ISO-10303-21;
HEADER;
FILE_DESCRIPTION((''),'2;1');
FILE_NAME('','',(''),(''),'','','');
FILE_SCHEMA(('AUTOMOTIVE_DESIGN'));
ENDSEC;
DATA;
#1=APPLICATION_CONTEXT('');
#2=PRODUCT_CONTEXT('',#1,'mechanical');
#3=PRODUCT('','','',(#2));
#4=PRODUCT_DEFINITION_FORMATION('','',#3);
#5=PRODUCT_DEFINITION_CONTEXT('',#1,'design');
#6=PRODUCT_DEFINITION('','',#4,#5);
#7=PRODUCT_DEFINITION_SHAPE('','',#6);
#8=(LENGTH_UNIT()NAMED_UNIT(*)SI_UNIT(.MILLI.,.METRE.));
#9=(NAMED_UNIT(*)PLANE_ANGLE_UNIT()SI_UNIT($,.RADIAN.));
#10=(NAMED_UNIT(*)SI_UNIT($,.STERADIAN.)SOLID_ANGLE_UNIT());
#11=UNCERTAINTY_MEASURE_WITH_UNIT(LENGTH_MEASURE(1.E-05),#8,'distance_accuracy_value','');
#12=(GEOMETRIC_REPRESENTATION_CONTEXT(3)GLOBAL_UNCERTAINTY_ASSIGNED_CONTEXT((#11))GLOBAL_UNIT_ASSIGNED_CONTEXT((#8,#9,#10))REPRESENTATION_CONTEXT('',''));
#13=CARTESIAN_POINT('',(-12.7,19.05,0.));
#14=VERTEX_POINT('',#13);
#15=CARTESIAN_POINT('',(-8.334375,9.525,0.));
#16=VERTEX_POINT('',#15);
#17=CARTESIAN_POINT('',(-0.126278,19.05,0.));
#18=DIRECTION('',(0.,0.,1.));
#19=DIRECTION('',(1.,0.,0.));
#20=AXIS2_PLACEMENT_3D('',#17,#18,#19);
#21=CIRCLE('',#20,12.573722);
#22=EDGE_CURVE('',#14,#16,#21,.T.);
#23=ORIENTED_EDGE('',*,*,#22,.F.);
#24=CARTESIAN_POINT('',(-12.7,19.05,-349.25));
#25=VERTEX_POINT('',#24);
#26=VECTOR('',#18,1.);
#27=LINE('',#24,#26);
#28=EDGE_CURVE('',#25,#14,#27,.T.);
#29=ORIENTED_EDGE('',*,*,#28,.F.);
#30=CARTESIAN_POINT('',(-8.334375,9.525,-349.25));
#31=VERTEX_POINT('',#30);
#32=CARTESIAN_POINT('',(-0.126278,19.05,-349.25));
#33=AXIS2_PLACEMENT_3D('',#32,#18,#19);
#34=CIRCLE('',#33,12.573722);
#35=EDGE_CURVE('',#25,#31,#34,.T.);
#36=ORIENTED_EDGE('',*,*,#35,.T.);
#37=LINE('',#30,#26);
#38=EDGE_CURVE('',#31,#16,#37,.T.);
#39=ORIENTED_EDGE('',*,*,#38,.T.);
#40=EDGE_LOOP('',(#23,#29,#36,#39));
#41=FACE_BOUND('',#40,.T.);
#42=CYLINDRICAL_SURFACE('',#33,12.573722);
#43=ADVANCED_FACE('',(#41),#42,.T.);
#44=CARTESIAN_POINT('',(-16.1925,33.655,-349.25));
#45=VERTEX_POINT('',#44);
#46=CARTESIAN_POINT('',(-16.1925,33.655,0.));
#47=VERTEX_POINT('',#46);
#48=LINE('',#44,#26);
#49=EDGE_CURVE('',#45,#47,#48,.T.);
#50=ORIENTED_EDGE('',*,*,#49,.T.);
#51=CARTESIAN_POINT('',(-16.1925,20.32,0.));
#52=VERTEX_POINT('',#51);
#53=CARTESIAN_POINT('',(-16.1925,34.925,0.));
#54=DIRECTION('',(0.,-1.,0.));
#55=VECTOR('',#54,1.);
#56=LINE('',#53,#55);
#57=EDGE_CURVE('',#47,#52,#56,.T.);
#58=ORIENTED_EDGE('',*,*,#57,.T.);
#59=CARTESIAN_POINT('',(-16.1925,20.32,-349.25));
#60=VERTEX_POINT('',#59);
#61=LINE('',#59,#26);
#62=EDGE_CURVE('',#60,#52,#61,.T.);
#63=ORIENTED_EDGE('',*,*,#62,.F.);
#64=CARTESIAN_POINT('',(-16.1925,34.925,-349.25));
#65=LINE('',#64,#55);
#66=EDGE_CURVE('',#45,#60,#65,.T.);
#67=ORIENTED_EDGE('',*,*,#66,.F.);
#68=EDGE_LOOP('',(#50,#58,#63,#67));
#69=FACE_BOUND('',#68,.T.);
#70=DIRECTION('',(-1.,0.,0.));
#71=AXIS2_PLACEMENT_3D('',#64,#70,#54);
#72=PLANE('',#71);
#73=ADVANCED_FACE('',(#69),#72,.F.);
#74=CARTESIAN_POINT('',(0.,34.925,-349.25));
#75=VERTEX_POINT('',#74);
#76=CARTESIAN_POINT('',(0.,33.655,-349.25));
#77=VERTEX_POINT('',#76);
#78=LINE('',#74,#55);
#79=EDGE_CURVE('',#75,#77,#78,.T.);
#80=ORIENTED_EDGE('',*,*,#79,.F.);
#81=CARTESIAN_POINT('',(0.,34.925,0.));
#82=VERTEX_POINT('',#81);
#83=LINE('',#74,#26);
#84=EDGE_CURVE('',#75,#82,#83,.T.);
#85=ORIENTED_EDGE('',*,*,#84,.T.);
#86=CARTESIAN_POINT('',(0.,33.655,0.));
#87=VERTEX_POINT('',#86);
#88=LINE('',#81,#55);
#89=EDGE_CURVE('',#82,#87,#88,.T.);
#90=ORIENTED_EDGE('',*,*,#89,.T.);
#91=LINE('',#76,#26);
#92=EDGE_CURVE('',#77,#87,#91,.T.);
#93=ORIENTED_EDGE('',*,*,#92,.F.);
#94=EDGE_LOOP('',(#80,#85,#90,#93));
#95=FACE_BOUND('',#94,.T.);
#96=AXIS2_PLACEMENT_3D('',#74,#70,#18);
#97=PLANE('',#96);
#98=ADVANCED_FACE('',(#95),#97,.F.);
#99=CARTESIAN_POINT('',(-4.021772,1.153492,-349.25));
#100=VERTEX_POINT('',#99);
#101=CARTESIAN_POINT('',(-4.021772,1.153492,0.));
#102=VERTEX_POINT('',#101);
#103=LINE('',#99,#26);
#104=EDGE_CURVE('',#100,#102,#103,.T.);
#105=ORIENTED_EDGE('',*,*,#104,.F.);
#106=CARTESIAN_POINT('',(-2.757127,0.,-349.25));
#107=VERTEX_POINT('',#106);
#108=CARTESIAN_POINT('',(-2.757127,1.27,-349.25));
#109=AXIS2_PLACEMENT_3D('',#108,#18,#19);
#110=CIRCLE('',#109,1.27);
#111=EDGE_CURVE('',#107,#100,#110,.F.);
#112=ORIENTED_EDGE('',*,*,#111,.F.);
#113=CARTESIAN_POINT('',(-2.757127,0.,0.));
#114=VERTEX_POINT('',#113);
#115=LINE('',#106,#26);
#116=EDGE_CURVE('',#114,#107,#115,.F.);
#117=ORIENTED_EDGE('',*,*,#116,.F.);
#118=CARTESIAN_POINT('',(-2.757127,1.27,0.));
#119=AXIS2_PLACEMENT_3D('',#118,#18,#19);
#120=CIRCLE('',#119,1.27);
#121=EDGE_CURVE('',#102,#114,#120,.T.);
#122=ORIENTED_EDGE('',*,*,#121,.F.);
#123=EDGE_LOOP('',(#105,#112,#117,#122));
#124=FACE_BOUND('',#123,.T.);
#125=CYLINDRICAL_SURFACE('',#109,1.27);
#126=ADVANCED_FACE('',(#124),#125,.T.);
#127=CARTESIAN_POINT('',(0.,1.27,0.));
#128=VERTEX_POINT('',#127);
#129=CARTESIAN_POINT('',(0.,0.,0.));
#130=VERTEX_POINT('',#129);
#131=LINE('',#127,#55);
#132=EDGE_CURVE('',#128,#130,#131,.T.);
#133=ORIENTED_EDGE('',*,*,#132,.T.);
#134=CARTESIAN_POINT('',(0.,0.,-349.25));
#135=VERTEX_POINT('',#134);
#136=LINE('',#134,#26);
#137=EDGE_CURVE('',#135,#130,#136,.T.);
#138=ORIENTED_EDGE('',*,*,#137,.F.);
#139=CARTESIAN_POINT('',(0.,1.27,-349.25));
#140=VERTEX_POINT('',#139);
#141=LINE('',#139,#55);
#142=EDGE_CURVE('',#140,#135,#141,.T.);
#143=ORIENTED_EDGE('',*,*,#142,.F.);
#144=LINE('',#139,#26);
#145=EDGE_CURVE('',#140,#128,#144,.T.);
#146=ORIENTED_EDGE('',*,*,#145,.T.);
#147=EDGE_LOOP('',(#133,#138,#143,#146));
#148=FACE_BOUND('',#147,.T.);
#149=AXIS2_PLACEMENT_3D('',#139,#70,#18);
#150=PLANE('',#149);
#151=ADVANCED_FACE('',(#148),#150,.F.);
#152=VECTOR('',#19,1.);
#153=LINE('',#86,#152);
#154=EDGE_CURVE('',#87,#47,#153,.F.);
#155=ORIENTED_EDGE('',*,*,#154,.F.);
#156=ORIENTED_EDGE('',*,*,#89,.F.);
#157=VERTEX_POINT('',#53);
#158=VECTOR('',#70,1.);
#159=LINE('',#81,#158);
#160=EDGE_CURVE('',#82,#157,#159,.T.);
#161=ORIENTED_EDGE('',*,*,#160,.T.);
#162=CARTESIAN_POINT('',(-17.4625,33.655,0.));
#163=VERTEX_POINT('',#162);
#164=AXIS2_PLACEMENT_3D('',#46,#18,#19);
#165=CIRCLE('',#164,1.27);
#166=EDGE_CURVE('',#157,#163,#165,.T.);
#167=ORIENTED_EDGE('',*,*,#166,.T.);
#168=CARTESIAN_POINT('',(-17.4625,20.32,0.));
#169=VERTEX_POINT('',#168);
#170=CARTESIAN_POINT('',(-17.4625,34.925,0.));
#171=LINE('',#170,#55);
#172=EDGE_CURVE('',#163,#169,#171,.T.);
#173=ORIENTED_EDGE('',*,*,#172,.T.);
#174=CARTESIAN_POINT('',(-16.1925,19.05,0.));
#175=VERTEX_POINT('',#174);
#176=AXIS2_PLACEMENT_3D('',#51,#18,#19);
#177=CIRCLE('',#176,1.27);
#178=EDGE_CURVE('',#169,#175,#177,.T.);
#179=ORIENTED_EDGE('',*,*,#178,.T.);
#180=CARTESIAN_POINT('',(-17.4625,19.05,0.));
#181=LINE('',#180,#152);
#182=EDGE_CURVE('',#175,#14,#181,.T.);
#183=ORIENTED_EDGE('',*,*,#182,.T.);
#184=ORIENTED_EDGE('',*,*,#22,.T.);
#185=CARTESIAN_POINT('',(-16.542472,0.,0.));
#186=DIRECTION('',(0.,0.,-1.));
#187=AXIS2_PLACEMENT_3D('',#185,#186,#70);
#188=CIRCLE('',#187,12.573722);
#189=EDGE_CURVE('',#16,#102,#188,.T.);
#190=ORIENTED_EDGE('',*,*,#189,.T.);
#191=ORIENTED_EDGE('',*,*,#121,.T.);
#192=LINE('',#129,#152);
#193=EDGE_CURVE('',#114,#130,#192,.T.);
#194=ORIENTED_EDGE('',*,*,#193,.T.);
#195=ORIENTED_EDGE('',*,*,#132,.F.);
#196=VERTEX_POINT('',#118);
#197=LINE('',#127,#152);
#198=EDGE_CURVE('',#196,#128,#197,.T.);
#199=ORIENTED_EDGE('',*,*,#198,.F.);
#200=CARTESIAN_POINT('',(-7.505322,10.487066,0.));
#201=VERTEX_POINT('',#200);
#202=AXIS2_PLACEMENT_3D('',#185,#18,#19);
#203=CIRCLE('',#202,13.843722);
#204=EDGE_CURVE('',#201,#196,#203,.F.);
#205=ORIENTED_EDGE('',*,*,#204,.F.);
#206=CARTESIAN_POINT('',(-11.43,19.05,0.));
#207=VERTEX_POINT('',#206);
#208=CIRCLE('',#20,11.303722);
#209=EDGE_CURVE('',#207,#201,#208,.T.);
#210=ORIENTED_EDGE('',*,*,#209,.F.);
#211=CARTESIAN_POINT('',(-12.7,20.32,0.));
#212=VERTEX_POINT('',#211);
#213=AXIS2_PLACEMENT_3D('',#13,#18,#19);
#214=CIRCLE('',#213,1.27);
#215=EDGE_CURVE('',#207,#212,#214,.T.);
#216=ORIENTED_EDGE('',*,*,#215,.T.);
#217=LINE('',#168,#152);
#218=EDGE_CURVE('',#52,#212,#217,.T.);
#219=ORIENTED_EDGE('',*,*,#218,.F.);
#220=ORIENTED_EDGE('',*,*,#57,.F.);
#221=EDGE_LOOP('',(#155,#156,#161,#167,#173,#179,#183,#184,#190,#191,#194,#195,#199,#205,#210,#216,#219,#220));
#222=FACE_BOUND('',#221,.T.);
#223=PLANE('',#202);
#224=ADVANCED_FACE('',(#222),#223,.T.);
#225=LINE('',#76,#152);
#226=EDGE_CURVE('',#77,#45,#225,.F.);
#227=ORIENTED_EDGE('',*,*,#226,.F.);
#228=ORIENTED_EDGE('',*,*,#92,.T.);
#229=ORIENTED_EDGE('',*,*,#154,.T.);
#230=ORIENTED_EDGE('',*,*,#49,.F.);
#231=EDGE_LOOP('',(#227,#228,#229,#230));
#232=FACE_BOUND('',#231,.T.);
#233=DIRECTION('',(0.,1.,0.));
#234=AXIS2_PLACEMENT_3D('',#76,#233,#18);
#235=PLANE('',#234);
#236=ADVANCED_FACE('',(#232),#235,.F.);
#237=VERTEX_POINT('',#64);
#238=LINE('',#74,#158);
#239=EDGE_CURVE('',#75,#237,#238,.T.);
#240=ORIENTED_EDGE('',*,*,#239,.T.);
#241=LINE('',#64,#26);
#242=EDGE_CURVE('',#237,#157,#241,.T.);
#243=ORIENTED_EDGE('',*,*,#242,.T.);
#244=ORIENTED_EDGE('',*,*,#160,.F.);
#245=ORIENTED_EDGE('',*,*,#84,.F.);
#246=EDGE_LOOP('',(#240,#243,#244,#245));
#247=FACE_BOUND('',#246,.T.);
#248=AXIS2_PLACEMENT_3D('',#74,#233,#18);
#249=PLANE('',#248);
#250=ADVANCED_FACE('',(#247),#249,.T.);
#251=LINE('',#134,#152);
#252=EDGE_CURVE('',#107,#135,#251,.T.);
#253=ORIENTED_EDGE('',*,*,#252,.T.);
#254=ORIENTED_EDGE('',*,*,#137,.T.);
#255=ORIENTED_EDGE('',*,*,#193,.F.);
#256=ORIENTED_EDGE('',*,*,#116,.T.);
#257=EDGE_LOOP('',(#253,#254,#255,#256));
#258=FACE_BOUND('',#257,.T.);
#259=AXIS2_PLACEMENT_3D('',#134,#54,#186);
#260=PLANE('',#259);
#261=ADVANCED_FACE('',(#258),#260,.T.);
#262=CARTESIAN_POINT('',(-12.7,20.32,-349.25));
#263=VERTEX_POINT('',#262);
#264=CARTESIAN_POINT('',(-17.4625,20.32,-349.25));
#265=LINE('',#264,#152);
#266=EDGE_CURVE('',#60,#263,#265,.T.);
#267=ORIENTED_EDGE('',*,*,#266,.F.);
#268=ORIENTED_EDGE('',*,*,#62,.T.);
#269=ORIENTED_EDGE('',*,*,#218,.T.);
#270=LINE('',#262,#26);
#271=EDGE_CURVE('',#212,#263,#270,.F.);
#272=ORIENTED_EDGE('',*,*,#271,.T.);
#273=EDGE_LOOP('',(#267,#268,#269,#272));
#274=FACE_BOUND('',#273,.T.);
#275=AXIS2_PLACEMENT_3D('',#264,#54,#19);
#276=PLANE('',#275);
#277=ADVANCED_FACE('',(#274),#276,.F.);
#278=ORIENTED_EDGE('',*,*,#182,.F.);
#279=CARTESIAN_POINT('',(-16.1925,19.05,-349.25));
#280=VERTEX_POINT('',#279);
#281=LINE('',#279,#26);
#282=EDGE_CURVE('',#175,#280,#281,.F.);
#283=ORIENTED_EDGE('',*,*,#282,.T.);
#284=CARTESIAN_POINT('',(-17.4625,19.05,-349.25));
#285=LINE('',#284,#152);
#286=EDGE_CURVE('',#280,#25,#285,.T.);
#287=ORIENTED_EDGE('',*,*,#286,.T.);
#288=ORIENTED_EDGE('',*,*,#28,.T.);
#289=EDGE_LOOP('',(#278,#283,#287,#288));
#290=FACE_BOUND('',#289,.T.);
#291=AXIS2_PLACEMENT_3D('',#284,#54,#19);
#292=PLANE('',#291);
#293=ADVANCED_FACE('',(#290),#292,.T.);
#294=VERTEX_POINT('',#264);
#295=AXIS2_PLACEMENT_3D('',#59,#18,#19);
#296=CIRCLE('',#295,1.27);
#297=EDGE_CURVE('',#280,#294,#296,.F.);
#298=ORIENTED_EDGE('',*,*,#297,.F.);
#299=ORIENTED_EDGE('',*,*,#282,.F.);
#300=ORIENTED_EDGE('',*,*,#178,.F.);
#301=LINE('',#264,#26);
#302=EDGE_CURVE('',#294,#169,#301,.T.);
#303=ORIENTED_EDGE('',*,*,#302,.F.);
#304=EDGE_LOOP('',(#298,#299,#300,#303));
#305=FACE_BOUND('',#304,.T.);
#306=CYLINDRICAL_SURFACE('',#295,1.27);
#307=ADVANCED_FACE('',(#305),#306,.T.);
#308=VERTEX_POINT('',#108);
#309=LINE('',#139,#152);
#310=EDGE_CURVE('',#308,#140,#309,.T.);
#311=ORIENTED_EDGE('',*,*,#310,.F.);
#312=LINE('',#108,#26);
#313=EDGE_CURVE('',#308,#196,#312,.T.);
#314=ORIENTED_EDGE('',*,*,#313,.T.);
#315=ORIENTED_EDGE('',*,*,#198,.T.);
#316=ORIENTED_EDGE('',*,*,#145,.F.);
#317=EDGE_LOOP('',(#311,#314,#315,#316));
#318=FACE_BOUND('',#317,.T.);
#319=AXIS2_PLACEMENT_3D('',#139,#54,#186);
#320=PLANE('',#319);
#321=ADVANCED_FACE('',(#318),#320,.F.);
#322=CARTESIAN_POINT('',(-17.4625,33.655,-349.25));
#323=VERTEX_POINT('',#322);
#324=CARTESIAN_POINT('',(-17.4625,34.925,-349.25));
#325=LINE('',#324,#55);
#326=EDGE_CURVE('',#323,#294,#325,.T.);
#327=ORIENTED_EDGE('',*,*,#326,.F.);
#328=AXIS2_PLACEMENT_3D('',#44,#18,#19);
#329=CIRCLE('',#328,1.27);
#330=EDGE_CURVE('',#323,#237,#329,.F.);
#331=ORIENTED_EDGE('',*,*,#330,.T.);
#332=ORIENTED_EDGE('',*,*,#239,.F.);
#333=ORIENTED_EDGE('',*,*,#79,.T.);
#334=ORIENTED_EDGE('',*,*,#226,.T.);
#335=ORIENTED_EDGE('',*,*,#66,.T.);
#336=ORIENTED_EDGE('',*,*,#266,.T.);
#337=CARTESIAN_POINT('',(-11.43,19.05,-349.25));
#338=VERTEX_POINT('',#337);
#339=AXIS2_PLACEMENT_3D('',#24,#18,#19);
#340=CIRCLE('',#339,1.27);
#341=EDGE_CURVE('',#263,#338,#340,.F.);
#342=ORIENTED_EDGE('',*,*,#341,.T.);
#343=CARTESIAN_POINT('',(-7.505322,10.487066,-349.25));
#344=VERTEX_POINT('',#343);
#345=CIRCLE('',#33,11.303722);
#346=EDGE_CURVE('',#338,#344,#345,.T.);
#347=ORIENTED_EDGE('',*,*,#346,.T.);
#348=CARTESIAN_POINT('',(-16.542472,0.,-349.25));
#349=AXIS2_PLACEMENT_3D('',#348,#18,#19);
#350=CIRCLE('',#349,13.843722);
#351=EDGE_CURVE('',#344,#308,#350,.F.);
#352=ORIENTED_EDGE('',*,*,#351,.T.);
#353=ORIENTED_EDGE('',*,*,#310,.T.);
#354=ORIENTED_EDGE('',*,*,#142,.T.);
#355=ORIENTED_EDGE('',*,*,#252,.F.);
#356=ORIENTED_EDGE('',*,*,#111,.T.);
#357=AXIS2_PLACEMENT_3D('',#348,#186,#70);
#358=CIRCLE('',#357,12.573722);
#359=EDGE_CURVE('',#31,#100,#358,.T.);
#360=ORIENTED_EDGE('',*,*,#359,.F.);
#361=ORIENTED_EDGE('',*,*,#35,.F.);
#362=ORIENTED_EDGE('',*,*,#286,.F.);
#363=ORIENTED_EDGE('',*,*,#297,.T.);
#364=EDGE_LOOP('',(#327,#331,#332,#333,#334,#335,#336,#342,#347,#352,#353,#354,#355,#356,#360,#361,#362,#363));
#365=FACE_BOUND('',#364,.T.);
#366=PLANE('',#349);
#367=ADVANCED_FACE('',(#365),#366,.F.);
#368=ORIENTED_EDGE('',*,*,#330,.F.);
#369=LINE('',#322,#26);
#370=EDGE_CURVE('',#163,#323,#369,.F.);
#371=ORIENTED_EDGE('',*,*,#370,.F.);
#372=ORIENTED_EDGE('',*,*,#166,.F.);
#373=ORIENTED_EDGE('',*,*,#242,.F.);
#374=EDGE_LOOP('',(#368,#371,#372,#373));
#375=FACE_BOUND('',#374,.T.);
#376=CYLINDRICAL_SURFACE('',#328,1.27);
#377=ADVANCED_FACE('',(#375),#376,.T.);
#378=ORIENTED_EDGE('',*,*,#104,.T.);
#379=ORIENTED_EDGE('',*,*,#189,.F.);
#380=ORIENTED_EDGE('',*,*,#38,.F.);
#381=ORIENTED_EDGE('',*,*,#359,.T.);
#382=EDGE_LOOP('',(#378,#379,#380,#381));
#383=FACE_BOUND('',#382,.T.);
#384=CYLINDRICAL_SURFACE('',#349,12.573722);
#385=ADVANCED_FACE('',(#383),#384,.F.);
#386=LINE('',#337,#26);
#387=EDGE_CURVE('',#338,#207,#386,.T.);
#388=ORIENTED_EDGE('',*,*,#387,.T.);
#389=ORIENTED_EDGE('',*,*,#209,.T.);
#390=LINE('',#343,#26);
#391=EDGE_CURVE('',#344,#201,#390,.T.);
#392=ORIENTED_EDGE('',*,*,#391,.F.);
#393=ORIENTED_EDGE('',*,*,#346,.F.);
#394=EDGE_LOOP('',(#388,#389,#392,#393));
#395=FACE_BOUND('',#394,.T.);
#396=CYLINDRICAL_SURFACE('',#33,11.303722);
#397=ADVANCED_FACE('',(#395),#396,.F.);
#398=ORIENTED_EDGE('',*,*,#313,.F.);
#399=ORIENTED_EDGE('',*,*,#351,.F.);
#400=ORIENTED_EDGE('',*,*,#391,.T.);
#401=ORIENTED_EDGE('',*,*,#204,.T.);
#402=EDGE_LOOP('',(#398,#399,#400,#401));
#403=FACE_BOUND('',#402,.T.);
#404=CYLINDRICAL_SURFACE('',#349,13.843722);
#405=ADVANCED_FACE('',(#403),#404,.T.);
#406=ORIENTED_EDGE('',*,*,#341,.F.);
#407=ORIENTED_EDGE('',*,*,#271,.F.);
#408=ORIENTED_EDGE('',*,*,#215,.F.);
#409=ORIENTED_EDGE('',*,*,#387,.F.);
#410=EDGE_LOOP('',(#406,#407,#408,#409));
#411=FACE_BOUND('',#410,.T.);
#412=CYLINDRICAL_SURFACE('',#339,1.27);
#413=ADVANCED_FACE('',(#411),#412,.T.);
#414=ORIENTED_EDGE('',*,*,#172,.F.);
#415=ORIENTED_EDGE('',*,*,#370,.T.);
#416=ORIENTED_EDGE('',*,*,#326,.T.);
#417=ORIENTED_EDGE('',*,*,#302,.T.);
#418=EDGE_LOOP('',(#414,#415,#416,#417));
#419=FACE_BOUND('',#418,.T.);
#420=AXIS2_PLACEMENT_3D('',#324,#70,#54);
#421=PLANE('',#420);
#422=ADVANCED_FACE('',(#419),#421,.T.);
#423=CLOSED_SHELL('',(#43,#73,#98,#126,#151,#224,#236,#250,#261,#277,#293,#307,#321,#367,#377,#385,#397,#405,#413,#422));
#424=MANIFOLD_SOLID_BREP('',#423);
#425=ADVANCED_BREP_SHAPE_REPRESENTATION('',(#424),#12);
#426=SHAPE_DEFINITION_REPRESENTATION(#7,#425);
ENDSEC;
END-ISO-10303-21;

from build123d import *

# Parameters (mm, degrees)
EXTRUDE_THIN1_DEPTH = 349.25
FILLET1_R           = 1.27


with BuildPart() as part:
    # Sketch1 → Extrude-Thin1 (new body)
    with BuildSketch(Plane.XY):
        with BuildLine():
            Line((0, 34.925), (-17.4625, 34.925))
            Line((-17.4625, 34.925), (-17.4625, 19.05))
            Line((-17.4625, 19.05), (-12.7, 19.05))
            ThreePointArc((-12.7, 19.05), (-11.5566064, 13.811099671), (-8.334375, 9.525))
            ThreePointArc((-8.334375, 9.525), (-5.1121436, 5.238900329), (-3.96875, 0))
            Line((-3.96875, 0), (0, 0))
            Line((0, 0), (0, 1.27))
            Line((0, 1.27), (-2.757126928, 1.27))
            ThreePointArc((-2.757126928, 1.27), (-4.23576048, 6.339833525), (-7.505321915, 10.487065997))
            ThreePointArc((-7.505321915, 10.487065997), (-10.650811196, 14.925884165), (-11.358429664, 20.32))
            Line((-11.358429664, 20.32), (-16.1925, 20.32))
            Line((-16.1925, 20.32), (-16.1925, 33.655))
            Line((-16.1925, 33.655), (0, 33.655))
            Line((0, 33.655), (0, 34.925))
        make_face()
    extrude(amount=-EXTRUDE_THIN1_DEPTH)

    # Fillet1
    fillet1_edges = [part.edges().sort_by_distance(p)[0] for p in [
        (-3.96875, 0, -174.625),
        (-17.4625, 19.05, -174.625),
        (-17.4625, 34.925, -174.625),
        (-11.358429664, 20.32, -174.625),
    ]]
    fillet(fillet1_edges, radius=FILLET1_R)


solid = part.part
